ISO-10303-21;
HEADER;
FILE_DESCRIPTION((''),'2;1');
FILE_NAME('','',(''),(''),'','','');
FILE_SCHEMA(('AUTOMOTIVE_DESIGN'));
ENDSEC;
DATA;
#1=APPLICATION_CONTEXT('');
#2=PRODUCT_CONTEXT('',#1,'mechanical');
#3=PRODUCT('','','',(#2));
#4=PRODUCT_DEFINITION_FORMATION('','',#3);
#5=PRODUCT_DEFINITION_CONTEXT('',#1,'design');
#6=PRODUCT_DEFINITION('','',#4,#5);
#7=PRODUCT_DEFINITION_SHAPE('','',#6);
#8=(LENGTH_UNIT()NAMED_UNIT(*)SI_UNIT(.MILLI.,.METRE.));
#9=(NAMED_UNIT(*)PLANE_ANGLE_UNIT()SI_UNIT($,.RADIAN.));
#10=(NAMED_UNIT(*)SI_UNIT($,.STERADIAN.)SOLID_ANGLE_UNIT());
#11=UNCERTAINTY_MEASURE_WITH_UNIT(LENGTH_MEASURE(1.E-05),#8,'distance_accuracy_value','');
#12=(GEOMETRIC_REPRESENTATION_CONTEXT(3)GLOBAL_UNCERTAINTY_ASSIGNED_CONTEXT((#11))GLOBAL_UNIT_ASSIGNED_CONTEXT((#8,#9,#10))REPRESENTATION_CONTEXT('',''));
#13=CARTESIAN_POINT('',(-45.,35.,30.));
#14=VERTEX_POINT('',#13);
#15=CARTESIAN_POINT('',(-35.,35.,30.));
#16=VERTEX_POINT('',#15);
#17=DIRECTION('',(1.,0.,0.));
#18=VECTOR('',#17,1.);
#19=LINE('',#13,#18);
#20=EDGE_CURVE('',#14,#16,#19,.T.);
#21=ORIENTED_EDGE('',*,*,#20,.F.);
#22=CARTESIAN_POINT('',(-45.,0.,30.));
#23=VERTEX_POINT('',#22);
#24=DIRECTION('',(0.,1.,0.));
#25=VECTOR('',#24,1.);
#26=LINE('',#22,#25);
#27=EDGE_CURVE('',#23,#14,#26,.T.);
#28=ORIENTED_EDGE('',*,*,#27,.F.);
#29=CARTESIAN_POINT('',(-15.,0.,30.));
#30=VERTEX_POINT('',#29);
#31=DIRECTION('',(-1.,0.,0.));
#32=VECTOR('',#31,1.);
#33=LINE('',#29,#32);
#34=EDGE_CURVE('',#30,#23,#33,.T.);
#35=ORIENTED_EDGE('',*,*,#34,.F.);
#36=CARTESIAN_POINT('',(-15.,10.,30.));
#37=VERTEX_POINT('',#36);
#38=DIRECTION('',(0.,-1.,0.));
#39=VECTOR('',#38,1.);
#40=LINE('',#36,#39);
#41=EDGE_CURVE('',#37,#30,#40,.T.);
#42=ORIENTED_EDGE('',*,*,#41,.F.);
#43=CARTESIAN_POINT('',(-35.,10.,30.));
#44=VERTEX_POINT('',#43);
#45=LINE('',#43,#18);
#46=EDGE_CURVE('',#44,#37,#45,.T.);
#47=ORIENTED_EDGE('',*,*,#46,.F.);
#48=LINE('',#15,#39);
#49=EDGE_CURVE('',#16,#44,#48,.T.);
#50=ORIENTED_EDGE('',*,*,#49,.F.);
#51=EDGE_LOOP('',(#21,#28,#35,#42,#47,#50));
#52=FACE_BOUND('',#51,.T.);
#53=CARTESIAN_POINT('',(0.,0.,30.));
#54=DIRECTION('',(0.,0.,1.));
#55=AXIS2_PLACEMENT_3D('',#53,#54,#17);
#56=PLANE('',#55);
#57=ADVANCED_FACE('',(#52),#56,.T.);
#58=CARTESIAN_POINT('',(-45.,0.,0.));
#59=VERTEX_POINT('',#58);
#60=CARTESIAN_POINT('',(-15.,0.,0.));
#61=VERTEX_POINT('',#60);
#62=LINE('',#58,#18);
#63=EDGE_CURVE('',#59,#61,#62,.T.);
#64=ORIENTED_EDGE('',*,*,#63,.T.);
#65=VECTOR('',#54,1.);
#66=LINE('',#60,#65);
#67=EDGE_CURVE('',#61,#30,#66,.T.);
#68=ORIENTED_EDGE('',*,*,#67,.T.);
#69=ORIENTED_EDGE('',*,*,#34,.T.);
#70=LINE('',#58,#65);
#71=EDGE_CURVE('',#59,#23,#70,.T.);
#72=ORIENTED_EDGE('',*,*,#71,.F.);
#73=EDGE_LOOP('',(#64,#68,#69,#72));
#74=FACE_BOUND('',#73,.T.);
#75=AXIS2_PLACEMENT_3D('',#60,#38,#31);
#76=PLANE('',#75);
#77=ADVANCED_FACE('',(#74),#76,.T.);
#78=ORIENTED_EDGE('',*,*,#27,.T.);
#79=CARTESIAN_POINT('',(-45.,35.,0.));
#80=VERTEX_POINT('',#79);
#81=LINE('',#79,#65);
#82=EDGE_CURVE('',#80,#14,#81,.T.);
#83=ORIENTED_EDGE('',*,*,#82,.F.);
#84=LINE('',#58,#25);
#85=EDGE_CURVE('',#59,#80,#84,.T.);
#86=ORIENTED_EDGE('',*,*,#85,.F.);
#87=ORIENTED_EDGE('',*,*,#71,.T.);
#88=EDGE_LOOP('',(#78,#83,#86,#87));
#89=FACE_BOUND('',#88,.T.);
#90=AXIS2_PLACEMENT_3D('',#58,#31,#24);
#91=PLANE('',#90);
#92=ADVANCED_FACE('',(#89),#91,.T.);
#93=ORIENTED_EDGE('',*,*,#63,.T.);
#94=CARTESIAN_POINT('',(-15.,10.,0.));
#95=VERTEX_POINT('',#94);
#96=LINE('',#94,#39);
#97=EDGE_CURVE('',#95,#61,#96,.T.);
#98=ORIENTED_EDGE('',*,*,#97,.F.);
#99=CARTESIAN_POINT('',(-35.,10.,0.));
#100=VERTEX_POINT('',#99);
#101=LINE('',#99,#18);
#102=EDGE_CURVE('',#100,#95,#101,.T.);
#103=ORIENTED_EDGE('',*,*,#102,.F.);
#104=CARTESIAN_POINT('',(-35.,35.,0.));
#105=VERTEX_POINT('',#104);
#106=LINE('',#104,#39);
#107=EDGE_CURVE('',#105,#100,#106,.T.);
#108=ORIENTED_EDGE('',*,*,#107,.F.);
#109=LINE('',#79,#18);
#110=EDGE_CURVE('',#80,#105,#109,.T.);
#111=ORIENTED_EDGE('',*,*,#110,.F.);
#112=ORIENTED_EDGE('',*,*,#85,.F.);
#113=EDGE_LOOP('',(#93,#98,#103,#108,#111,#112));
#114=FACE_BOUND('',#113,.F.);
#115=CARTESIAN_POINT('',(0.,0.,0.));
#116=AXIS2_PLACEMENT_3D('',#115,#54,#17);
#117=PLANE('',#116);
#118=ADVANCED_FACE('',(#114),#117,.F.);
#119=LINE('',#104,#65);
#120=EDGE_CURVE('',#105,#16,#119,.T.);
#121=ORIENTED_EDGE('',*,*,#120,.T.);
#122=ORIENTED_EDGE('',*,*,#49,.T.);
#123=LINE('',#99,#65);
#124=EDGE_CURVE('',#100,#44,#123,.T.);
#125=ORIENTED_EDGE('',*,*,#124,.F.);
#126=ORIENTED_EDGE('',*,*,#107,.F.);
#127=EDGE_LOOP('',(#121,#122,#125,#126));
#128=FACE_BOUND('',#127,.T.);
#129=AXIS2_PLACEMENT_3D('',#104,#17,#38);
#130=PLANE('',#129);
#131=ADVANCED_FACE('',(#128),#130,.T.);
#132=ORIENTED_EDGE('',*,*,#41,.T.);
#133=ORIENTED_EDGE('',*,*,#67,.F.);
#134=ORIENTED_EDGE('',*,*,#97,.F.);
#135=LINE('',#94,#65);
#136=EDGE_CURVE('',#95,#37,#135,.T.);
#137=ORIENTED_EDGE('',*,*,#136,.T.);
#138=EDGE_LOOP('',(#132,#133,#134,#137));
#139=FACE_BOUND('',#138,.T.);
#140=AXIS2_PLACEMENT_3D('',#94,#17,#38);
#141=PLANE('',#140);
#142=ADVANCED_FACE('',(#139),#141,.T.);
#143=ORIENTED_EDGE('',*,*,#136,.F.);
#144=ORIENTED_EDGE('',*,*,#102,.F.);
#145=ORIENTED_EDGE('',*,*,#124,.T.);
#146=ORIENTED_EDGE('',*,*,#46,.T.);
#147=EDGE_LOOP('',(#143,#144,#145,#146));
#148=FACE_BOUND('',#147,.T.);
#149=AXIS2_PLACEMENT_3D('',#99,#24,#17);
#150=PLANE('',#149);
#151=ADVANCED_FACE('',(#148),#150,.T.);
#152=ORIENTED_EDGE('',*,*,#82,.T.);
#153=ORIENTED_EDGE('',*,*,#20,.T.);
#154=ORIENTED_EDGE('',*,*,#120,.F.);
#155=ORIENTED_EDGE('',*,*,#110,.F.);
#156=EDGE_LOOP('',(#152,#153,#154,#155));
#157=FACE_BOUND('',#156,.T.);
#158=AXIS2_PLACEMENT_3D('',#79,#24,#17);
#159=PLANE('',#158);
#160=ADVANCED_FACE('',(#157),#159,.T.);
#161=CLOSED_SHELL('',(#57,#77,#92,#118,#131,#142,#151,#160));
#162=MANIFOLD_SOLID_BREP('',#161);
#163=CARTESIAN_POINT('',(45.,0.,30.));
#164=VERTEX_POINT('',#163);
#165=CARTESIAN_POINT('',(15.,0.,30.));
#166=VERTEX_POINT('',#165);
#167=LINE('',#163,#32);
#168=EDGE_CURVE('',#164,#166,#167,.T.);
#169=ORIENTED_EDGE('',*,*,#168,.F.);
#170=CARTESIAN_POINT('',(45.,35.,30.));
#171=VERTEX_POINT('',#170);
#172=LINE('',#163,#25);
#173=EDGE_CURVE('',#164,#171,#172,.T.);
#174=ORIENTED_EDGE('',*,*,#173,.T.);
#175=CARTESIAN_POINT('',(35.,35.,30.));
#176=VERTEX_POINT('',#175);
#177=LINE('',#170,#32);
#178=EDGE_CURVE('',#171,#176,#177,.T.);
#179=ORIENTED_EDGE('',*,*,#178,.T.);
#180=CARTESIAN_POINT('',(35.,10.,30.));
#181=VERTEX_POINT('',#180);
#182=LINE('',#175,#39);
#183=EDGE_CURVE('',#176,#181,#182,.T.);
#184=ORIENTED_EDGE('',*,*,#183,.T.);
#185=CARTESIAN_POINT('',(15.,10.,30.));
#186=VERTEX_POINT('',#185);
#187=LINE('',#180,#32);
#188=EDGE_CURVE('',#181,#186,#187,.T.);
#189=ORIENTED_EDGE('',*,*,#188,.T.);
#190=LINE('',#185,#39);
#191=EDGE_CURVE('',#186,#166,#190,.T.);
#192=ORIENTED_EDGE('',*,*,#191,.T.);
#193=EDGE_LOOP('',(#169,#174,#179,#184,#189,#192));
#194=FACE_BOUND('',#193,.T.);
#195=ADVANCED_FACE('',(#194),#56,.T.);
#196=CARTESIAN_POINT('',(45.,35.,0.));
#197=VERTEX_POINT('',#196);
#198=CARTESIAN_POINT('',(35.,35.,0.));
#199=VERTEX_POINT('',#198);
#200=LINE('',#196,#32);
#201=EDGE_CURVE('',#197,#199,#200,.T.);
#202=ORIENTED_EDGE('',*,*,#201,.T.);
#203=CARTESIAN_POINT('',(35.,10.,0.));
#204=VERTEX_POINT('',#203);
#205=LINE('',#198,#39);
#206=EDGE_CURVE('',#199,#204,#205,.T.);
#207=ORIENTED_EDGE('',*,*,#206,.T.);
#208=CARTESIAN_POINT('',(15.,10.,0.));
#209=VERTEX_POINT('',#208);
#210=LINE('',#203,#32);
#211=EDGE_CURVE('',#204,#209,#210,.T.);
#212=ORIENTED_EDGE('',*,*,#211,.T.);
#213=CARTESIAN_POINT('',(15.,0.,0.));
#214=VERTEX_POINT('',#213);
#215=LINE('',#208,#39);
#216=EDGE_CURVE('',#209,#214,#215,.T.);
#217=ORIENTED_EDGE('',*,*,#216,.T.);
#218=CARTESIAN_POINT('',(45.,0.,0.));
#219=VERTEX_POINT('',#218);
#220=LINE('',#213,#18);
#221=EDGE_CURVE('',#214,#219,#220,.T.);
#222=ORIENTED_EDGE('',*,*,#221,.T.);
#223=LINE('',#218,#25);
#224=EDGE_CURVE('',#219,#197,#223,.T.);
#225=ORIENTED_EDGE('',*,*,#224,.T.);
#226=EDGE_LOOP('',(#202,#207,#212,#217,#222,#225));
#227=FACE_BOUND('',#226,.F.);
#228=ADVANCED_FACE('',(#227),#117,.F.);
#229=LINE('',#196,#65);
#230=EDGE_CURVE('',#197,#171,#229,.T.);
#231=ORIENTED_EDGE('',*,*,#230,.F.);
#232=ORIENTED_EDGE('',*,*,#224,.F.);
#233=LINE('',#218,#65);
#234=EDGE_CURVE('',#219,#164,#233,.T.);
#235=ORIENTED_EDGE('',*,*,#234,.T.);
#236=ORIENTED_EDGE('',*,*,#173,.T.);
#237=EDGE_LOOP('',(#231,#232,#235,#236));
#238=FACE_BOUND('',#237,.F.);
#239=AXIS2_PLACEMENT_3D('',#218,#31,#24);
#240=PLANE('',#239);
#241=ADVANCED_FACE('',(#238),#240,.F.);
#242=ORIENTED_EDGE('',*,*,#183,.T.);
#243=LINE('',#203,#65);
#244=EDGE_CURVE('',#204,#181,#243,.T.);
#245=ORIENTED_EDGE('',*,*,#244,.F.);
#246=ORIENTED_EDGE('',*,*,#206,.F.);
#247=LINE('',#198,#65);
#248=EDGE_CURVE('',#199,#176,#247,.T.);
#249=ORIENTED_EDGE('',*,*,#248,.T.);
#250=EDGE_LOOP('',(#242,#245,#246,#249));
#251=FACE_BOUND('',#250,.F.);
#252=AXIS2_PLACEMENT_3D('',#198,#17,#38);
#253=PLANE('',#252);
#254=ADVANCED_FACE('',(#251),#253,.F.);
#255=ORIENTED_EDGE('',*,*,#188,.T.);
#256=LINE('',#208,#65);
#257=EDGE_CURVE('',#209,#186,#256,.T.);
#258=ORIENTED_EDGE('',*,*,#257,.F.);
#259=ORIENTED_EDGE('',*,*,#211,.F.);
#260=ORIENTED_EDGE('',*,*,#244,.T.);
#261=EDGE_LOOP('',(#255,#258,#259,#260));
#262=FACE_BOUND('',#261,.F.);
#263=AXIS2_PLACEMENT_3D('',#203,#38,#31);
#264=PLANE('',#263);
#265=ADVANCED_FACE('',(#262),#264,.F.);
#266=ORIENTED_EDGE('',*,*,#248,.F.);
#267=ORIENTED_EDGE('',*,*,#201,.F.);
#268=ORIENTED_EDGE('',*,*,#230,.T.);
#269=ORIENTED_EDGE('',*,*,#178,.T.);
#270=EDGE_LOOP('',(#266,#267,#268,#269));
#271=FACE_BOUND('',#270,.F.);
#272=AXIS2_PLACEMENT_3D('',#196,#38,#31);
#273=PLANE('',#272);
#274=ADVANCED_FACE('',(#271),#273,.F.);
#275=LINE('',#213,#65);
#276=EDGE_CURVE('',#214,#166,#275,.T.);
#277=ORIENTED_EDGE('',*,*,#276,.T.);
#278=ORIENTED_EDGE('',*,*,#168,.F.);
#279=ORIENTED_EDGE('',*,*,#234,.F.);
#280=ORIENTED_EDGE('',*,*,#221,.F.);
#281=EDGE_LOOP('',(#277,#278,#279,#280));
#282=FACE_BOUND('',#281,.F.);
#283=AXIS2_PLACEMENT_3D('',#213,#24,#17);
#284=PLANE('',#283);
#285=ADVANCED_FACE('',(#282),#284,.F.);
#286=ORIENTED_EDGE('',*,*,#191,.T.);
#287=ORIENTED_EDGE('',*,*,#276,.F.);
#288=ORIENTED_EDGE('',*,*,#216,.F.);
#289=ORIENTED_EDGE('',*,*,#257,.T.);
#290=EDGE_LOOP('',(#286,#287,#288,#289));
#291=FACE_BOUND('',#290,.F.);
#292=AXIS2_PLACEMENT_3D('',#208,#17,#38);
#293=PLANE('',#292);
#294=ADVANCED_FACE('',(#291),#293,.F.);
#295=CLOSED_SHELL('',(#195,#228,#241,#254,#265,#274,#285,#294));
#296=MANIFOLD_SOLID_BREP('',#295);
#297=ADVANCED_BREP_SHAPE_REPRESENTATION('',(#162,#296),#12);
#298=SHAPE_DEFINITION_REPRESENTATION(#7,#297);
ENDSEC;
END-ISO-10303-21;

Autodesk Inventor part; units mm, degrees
ref_plane "YZ Plane" through (0, 0, 0) normal (1, 0, 0) x (0, 1, 0)
ref_plane "XZ Plane" through (0, 0, 0) normal (0, 1, 0) x (-1, 0, 0)
ref_plane "XY Plane" through (0, 0, 0) normal (0, 0, 1) x (1, 0, 0)
sketch "Sketch2" plane through (0, 0, 0) normal (0, 0, 1) x (1, 0, 0)
  line L0 (15, 0) -> (35, 0)
  line L1 (35, 0) -> (35, 10)
  line L2 (35, 10) -> (15, 10)
  line L3 (15, 10) -> (15, 0)
  line L4 (35, 0) -> (45, 0)
  line L5 (45, 0) -> (45, 35)
  line L6 (45, 35) -> (35, 35)
  line L7 (35, 35) -> (35, 0)
  line L8 (0, 0) -> (0, 15.6723)
  line L9 (-15, 0) -> (-35, 0)
  line L10 (-35, 0) -> (-35, 10)
  line L11 (-35, 10) -> (-15, 10)
  line L12 (-15, 10) -> (-15, 0)
  line L13 (-35, 0) -> (-45, 0)
  line L14 (-45, 0) -> (-45, 35)
  line L15 (-45, 35) -> (-35, 35)
  line L16 (-35, 35) -> (-35, 0)
  point P0 (35, 10)
  point P1 (-35, 10)
  dimension "d15" = 15
  dimension "d16" = 10
  dimension "d17" = 20
  dimension "d18" = 10
  dimension "d19" = 35
  dimension "d20" = 35
extrude "Extrusion2" add sketch "Sketch2" along normal blind 30
properties part number "Guide_Basic"
